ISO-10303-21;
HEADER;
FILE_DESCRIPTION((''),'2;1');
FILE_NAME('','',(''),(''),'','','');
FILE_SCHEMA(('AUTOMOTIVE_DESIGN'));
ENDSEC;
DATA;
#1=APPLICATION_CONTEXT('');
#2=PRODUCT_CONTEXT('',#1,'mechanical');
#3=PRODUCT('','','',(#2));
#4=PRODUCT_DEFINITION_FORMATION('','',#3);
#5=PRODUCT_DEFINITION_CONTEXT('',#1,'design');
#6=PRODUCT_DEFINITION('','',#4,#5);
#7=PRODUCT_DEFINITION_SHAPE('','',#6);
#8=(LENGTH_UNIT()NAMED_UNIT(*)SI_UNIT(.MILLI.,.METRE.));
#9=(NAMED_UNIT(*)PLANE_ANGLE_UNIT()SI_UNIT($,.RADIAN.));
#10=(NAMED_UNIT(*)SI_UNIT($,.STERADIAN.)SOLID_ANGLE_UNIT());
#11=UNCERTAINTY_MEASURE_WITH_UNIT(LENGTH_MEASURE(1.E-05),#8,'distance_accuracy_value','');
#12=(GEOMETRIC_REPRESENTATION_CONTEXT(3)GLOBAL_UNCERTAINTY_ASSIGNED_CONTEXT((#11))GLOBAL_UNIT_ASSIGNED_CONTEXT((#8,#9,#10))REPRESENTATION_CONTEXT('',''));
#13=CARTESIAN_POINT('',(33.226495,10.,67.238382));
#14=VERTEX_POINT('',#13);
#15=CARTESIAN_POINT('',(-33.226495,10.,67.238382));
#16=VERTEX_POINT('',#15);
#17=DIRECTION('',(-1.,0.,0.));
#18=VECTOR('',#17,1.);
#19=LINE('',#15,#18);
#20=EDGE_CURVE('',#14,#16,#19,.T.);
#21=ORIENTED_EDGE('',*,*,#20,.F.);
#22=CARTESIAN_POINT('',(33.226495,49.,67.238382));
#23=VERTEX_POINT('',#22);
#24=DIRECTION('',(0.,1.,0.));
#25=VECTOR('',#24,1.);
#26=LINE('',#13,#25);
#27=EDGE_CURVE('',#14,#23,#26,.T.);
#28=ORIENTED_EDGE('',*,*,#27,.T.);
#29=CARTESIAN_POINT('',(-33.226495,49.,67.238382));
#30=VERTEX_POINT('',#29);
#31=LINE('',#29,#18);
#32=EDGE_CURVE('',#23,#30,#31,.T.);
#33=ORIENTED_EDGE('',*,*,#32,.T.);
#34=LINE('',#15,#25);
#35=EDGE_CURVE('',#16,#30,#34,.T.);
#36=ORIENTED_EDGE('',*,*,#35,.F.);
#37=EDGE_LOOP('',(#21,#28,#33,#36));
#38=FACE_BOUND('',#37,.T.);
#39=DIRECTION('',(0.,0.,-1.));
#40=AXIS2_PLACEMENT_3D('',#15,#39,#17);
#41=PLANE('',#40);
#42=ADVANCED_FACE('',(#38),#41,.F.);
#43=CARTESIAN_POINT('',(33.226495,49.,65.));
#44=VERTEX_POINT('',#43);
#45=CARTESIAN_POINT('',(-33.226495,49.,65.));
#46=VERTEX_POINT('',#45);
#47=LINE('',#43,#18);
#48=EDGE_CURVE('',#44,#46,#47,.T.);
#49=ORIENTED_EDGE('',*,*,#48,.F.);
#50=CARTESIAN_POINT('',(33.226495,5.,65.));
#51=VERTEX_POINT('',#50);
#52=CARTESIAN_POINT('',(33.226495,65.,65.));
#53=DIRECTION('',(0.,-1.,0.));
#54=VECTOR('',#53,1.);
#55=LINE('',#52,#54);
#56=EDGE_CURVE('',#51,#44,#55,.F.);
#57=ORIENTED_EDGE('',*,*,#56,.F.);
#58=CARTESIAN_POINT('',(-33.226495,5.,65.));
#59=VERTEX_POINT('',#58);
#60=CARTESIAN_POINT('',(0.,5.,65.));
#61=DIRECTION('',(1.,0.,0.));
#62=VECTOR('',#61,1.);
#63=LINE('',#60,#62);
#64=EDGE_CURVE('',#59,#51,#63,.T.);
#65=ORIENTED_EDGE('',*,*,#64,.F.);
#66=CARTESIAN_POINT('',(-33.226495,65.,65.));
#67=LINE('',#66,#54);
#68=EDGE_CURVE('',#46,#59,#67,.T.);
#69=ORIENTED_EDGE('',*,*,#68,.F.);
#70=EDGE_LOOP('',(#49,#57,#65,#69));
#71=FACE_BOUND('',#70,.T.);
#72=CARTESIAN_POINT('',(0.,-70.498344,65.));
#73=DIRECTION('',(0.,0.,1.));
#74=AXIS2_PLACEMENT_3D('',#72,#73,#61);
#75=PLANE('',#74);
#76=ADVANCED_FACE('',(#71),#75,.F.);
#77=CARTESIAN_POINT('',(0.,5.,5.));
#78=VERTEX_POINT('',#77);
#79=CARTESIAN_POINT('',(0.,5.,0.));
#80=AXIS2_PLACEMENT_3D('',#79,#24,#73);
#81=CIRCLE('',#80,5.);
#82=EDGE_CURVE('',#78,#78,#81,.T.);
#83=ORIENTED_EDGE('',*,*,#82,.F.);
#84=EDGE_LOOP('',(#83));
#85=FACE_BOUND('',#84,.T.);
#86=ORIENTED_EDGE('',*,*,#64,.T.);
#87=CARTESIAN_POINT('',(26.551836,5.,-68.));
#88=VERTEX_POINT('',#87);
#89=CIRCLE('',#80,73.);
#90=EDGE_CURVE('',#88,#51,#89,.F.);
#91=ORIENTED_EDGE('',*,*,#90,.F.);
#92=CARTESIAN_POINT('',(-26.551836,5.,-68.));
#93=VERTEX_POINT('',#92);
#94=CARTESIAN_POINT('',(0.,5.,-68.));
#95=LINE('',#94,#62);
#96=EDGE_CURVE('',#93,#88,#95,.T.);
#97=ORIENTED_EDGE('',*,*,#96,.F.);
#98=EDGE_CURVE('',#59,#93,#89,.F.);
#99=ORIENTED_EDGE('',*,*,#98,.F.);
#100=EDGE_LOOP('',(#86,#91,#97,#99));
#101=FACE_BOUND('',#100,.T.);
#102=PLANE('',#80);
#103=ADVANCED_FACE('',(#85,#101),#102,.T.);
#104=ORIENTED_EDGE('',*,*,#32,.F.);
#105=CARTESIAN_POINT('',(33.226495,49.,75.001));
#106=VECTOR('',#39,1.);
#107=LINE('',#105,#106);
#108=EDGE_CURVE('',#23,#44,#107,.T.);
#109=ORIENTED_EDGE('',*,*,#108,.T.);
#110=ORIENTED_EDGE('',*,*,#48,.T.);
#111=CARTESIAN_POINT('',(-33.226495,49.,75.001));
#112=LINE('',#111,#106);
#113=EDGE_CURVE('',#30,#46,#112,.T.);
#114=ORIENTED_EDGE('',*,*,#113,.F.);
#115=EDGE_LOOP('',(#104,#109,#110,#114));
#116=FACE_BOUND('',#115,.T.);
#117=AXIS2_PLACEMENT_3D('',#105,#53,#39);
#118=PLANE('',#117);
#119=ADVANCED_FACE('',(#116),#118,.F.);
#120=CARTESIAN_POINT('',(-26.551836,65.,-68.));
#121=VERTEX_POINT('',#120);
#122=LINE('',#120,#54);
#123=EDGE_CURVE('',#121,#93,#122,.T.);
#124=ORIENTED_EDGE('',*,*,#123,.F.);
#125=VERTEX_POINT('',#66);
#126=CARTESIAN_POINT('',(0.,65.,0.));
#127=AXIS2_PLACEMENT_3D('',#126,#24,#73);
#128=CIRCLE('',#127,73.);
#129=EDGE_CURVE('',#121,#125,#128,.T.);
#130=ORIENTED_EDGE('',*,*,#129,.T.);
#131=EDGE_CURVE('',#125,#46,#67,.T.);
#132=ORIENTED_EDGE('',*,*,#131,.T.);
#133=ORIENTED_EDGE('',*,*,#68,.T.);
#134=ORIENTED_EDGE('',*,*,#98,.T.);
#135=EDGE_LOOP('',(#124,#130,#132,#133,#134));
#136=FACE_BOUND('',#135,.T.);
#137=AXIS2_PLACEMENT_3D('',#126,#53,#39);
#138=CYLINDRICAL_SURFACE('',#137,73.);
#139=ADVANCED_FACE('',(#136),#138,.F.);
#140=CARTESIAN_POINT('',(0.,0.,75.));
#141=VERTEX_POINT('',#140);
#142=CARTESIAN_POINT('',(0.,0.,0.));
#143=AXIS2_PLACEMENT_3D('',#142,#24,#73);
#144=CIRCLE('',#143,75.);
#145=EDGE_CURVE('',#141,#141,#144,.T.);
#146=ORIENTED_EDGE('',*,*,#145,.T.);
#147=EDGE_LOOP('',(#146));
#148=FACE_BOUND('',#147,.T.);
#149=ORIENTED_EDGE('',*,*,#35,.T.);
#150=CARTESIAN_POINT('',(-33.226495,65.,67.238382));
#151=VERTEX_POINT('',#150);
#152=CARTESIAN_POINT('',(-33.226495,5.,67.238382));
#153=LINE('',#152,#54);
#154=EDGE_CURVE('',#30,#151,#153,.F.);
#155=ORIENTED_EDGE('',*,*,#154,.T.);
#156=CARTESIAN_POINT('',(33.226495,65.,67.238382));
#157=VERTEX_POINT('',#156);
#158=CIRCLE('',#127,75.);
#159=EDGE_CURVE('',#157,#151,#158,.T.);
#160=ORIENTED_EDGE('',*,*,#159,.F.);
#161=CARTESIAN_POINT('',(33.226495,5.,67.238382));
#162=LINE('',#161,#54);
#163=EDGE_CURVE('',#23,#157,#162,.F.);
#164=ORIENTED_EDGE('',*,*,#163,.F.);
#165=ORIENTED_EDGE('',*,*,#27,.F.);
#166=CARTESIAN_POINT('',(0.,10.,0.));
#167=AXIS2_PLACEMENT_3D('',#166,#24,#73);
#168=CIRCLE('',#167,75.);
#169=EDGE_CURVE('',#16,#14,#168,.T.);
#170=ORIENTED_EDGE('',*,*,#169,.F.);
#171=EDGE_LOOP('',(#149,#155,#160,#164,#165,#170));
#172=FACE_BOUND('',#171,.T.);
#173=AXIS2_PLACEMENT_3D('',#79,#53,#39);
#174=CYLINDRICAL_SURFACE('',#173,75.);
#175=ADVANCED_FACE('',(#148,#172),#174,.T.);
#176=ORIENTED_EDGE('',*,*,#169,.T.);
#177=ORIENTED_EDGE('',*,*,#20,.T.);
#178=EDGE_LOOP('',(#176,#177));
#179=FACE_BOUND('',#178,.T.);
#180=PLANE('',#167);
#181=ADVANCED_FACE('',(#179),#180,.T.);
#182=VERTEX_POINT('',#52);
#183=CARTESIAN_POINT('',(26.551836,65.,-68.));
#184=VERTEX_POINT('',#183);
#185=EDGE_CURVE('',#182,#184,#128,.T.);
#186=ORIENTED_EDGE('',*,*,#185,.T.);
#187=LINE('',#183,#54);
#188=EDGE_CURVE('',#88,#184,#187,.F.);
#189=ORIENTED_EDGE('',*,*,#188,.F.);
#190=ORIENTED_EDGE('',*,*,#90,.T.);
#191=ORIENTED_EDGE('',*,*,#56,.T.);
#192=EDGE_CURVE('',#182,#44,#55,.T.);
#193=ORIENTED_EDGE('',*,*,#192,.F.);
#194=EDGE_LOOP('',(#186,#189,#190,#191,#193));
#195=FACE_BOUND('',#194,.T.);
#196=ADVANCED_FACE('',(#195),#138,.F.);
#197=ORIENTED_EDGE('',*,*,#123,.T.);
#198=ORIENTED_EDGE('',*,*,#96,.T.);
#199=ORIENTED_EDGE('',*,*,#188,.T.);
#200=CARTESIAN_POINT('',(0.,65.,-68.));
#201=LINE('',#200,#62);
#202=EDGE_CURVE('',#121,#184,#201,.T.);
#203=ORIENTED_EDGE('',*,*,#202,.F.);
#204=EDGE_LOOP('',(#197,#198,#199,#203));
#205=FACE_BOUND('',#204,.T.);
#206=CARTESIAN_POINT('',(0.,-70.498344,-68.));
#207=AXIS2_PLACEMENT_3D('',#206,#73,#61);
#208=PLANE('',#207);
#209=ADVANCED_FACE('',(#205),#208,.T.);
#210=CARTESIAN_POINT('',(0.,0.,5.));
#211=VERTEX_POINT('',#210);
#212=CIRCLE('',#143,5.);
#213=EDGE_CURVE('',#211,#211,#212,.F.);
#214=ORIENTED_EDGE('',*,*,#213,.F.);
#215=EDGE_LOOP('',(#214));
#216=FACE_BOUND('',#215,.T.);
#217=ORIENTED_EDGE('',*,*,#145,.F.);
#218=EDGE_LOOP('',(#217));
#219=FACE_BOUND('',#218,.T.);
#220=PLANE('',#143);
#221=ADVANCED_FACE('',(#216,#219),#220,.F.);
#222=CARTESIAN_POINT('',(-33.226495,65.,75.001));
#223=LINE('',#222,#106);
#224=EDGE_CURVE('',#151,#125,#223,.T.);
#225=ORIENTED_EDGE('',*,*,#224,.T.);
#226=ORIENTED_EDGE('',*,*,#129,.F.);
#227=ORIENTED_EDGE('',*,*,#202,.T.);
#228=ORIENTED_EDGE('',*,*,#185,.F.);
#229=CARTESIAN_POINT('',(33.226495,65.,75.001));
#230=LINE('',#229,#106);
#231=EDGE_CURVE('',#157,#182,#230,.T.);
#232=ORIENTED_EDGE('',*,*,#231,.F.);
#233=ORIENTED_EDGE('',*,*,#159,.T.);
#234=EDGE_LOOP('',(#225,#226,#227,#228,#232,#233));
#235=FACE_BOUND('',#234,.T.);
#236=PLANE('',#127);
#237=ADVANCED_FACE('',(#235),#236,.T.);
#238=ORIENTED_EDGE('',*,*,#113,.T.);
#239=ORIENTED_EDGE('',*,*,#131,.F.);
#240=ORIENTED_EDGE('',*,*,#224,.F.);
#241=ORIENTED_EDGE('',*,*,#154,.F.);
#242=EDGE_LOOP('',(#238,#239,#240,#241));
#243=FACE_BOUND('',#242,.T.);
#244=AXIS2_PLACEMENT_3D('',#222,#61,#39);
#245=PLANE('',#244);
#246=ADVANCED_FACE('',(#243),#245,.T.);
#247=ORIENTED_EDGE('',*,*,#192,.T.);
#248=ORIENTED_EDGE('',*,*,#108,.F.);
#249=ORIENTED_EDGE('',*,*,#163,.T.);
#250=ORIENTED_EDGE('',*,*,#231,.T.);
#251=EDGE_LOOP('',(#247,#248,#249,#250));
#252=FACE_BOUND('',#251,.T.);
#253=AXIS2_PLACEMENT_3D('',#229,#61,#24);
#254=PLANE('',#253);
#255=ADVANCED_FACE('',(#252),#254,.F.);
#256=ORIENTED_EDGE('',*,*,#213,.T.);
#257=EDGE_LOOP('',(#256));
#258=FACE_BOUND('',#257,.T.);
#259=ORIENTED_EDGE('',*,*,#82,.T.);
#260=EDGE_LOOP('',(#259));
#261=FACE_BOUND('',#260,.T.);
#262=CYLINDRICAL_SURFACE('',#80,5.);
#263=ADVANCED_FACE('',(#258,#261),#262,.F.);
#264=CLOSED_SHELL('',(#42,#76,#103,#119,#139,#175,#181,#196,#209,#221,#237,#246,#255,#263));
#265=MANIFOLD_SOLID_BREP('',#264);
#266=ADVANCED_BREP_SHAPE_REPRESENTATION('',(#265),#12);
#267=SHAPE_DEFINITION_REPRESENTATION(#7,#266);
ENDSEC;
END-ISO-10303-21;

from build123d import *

# Parameters (mm, degrees)
SKETCH1_R                  = 75
BOSS_EXTRUDE1_DEPTH        = 5
SKETCH2_R                  = 75
SKETCH2_R_2                = 73
BOSS_EXTRUDE2_DEPTH        = 60
BOSS_EXTRUDE3_START        = -60
BOSS_EXTRUDE3_DEPTH        = 60
F_10_0MM_DOWEL_HOLE1_D     = 10
F_10_0MM_DOWEL_HOLE1_DEPTH = 5
F_10_0MM_DOWEL_HOLE1_TIP   = 3.004303095
CUT_EXTRUDE1_REACH         = 173.61
CUT_EXTRUDE1_END_RADIUS    = 75
SKETCH7_W                  = 66.452990904
SKETCH7_H                  = 16
CUT_EXTRUDE2_START         = -39
CUT_EXTRUDE2_DEPTH         = 39


with BuildPart() as part:
    # Sketch1 → Boss-Extrude1 (new body)
    with BuildSketch(Plane(origin=(0, 0, 0), x_dir=(1, 0, 0), z_dir=(0, 1, 0))):
        with Locations(Location((0, 0, 0), (0, 0, 270))):
            Circle(SKETCH1_R)
    extrude(amount=BOSS_EXTRUDE1_DEPTH)

    # Sketch2 → Boss-Extrude2 (add)
    with BuildSketch(Plane(origin=(0, 5, 0), x_dir=(1, 0, 0), z_dir=(0, 1, 0))):
        with Locations(Location((0, 0, 0), (0, 0, 270))):
            Circle(SKETCH2_R)
        with Locations(Location((0, 0, 0), (0, 0, 270))):
            Circle(SKETCH2_R_2, mode=Mode.SUBTRACT)
    extrude(amount=BOSS_EXTRUDE2_DEPTH)

    # Sketch3 → Boss-Extrude3 (add)
    with BuildSketch(Plane(origin=(0, 65, 0), x_dir=(1, 0, 0), z_dir=(0, 1, 0)).offset(BOSS_EXTRUDE3_START)):
        with BuildLine():
            ThreePointArc((26.551836095, 68), (0, 73), (-26.551836095, 68))
            Line((-26.551836095, 68), (26.551836095, 68))
        make_face()
        with BuildLine():
            ThreePointArc((31.638584039, 68), (0, 75), (-31.638584039, 68))
            Line((-31.638584039, 68), (-26.551836095, 68))
            ThreePointArc((-26.551836095, 68), (0, 73), (26.551836095, 68))
            Line((26.551836095, 68), (31.638584039, 68))
        make_face()
        with BuildLine():
            Line((-33.226495452, -65), (-37.416573868, -65))
            ThreePointArc((-37.416573868, -65), (0, -75), (37.416573868, -65))
            Line((37.416573868, -65), (33.226495452, -65))
            ThreePointArc((33.226495452, -65), (0, -73), (-33.226495452, -65))
        make_face()
        with BuildLine():
            Line((33.226495452, -65), (-33.226495452, -65))
            ThreePointArc((-33.226495452, -65), (0, -73), (33.226495452, -65))
        make_face()
    extrude(amount=BOSS_EXTRUDE3_DEPTH)

    # Ø10.0mm Dowel Hole1
    with Locations(Plane(origin=(0, 5, 0), x_dir=(1, 0, 0), z_dir=(0, 1, 0))):
        with Locations((0, 0)):
            Hole(F_10_0MM_DOWEL_HOLE1_D / 2, depth=F_10_0MM_DOWEL_HOLE1_DEPTH)
            with Locations((0, 0, -(F_10_0MM_DOWEL_HOLE1_DEPTH + F_10_0MM_DOWEL_HOLE1_TIP / 2))):  # 118° drill point
                Cone(0, F_10_0MM_DOWEL_HOLE1_D / 2, F_10_0MM_DOWEL_HOLE1_TIP, mode=Mode.SUBTRACT)

    # Cut-Extrude1: up to this cylinder (the profile starts inside it)
    cut_extrude1_end = Plane(origin=(0, 57, 0), z_dir=(0, -1, 0)) * Cylinder(CUT_EXTRUDE1_END_RADIUS, 498.22, mode=Mode.PRIVATE)
    # Sketch7 → Cut-Extrude1 (cut, up to the surface)
    with BuildSketch(Plane(origin=(0, 0, 65), x_dir=(-1, 0, 0), z_dir=(0, 0, -1)), mode=Mode.PRIVATE) as cut_extrude1_sk1:
        with Locations((0, 57)):
            Rectangle(SKETCH7_W, SKETCH7_H)
    cut_extrude1_tool1 = extrude(cut_extrude1_sk1.sketch, amount=-CUT_EXTRUDE1_REACH, mode=Mode.PRIVATE) & cut_extrude1_end
    add(cut_extrude1_tool1.solids().sort_by_distance((0, 57, 65))[0], mode=Mode.SUBTRACT)

    # Sketch8 → Cut-Extrude2 (cut)
    with BuildSketch(Plane(origin=(0, 49, 0), x_dir=(1, 0, 0), z_dir=(0, 1, 0)).offset(CUT_EXTRUDE2_START)):
        with BuildLine():
            Line((-33.226495452, -67.238381896), (33.226495452, -67.238381896))
            ThreePointArc((33.226495452, -67.238381896), (0, -75), (-33.226495452, -67.238381896))
        make_face()
    extrude(amount=CUT_EXTRUDE2_DEPTH, mode=Mode.SUBTRACT)


solid = part.part
